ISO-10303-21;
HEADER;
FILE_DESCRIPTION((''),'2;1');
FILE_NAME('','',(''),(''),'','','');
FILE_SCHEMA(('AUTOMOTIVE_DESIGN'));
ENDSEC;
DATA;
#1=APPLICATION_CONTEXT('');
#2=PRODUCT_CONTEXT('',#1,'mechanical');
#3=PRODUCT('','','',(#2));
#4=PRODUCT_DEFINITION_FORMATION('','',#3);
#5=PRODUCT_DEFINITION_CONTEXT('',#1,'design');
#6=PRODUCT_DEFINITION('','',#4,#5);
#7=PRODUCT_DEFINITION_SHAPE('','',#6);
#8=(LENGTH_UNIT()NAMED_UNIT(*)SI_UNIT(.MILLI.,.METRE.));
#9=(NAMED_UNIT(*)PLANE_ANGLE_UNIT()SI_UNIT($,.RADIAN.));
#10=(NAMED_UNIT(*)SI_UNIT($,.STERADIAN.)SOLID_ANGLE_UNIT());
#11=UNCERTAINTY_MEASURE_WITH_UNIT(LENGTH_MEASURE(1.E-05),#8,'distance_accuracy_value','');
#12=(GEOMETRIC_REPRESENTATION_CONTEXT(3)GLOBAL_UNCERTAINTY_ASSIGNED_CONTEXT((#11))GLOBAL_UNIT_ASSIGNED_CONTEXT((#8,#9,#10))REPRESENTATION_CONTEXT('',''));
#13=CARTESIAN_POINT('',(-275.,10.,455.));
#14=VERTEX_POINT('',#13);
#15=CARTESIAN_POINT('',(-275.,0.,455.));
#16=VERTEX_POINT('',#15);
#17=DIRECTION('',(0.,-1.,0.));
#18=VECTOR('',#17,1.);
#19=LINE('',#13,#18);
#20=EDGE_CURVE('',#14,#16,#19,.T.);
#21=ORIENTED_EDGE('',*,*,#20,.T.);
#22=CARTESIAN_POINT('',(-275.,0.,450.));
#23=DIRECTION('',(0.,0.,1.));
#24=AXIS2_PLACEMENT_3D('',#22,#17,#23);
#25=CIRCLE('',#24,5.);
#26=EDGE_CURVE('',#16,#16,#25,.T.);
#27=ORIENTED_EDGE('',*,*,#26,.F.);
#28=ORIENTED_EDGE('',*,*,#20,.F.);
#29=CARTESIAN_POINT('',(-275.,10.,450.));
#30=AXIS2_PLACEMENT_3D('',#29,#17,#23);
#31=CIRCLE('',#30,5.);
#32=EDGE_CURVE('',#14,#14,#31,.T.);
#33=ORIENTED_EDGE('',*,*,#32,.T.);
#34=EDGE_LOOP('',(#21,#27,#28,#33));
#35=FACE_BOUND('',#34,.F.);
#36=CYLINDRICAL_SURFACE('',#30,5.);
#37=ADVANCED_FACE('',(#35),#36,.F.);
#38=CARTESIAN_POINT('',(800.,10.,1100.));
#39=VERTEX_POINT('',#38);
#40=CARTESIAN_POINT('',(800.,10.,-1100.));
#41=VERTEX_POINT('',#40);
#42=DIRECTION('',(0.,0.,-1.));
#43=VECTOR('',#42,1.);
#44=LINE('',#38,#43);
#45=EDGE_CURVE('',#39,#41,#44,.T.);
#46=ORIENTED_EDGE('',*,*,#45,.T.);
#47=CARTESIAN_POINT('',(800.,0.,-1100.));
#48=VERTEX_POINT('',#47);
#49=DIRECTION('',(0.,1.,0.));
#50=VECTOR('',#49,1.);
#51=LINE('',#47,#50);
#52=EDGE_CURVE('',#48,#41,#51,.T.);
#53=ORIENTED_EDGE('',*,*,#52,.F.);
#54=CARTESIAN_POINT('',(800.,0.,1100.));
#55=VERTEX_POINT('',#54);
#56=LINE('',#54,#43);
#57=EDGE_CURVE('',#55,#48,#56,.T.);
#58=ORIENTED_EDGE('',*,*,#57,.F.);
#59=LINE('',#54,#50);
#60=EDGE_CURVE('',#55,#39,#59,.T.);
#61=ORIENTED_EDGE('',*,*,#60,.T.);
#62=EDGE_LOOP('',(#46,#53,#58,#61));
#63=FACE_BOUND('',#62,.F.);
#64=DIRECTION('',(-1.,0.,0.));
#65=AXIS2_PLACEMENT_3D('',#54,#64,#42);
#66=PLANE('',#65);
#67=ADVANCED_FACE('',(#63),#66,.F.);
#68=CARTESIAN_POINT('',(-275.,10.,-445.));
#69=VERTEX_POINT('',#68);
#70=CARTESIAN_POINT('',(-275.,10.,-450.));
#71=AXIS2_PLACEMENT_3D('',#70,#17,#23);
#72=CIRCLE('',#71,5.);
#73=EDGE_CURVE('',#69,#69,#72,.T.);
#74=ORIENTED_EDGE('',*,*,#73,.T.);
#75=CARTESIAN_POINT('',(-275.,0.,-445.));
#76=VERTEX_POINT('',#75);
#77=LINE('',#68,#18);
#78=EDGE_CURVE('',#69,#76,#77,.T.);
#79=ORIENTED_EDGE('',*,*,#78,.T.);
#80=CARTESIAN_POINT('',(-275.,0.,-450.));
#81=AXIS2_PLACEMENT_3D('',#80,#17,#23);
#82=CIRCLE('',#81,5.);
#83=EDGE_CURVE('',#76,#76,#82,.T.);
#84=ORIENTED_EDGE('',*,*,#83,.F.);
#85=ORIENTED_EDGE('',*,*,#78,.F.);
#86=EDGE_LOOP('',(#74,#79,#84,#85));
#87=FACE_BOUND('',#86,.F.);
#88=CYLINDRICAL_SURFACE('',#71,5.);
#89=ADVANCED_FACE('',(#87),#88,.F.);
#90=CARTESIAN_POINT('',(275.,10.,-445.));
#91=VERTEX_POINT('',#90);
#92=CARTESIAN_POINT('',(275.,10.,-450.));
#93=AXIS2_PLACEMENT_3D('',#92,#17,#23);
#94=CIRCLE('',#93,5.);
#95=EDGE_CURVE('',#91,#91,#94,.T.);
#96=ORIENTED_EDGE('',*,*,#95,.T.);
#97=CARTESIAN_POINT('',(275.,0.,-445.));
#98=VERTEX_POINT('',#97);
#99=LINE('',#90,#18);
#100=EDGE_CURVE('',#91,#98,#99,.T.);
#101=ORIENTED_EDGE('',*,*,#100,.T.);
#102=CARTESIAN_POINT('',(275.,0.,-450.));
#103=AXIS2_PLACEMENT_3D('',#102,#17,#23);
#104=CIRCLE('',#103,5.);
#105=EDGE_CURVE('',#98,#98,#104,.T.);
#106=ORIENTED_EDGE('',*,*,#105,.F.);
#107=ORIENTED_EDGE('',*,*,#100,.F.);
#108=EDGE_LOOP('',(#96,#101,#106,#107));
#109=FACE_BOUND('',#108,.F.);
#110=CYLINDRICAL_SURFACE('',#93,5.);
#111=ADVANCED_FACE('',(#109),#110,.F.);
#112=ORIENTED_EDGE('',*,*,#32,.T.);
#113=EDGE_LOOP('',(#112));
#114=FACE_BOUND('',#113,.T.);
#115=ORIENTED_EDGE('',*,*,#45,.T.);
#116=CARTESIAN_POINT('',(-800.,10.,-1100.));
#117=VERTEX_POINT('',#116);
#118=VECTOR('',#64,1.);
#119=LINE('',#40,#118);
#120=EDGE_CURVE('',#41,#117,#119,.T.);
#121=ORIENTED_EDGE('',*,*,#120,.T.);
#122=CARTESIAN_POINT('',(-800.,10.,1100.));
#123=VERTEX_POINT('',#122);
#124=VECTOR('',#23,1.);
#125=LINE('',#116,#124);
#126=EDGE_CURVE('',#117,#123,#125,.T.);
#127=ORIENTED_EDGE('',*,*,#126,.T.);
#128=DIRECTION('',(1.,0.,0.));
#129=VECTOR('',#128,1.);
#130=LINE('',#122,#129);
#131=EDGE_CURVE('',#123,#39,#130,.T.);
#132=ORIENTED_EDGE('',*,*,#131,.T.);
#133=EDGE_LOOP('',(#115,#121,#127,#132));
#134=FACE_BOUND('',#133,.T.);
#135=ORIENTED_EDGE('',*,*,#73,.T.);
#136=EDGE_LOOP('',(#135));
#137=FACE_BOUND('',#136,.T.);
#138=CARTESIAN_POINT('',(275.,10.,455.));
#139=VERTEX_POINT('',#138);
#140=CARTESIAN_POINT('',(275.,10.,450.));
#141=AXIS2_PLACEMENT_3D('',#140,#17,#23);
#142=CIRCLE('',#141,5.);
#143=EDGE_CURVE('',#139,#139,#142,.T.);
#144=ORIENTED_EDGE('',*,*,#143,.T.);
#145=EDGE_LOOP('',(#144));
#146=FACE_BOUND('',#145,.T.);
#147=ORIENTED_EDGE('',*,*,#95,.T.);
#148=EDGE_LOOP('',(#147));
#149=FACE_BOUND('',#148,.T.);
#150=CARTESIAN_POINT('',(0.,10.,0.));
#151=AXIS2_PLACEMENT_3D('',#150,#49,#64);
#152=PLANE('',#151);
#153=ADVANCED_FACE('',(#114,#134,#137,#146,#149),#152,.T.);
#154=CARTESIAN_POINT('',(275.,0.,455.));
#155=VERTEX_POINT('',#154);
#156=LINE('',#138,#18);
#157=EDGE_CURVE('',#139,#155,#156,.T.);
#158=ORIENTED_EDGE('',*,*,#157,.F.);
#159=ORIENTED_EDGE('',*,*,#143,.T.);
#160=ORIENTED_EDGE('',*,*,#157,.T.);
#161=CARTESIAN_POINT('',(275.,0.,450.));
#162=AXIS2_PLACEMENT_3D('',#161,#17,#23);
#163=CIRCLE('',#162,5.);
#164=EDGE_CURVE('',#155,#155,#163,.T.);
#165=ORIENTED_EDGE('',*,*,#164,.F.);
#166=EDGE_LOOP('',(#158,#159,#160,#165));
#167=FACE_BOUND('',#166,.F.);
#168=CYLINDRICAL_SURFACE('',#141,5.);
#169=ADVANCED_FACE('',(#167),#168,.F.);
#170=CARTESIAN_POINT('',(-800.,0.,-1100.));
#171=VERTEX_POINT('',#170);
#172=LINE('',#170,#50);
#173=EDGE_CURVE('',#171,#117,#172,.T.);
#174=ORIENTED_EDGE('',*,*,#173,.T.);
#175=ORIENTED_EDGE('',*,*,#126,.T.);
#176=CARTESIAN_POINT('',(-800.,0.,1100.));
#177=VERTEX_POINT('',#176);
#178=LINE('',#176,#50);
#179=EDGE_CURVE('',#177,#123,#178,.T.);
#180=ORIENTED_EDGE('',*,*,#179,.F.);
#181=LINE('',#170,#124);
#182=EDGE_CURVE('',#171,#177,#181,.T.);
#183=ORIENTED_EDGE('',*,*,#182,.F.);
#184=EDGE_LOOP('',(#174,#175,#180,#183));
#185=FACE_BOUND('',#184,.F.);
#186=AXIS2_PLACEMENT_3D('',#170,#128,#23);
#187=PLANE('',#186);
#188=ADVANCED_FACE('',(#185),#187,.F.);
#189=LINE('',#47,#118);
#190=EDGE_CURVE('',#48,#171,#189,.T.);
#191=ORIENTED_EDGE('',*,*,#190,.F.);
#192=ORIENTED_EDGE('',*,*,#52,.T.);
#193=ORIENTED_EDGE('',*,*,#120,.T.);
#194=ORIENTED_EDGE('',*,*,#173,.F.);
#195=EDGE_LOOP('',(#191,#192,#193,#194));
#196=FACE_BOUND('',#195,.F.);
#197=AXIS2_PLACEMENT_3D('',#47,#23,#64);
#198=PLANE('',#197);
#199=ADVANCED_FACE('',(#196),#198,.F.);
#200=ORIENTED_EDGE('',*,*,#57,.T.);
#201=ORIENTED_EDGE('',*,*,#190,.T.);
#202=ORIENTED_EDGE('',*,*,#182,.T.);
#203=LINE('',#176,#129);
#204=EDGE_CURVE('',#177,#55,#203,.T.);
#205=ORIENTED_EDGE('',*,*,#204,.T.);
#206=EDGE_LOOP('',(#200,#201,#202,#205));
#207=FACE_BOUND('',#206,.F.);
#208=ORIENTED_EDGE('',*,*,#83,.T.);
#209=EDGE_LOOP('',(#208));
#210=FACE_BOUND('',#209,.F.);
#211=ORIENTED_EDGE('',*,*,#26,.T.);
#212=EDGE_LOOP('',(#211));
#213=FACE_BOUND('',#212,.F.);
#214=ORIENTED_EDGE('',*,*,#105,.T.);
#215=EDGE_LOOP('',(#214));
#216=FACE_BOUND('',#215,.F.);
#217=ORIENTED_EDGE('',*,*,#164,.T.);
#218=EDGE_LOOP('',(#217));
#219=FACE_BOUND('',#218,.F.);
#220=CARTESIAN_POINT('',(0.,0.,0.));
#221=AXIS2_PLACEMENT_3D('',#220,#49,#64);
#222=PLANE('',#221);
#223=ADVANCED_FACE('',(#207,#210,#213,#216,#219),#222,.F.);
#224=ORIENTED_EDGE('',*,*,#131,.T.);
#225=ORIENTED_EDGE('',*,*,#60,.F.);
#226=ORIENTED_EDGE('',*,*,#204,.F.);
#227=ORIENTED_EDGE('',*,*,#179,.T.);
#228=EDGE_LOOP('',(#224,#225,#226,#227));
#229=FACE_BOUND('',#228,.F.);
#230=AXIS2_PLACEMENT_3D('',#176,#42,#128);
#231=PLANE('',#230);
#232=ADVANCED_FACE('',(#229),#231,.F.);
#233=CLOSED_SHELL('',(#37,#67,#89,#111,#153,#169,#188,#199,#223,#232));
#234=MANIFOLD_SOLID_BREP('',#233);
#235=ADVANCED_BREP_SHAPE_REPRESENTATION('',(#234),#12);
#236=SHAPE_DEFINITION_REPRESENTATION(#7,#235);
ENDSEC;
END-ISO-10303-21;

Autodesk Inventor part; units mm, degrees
ref_plane "YZ Plane" through (0, 0, 0) normal (1, 0, 0) x (0, 1, 0)
ref_plane "XZ Plane" through (0, 0, 0) normal (0, 1, 0) x (-1, 0, 0)
ref_plane "XY Plane" through (0, 0, 0) normal (0, 0, 1) x (1, 0, 0)
sketch "Sketch1" plane through (0, 0, 0) normal (0, 1, 0) x (-1, 0, 0)
  line L0 (800, 1100) -> (-800, 1100)
  line L1 (-800, 1100) -> (-800, -1100)
  line L2 (-800, -1100) -> (800, -1100)
  line L3 (800, -1100) -> (800, 1100)
  point P0 (0, 0)
  dimension "d0" = 1100
  dimension "d1" = 2200
  dimension "d2" = 1600
  dimension "d3" = 800
extrude "base" add sketch "Sketch1" along normal blind 10
sketch "Sketch2" plane through (0, 10, 0) normal (0, 1, 0) x (1, 0, 0)
  point P0 (0, 0)
  point P1 (-275, -450)
  point P2 (275, -450)
  point P3 (-275, 450)
  point P4 (275, 450)
  dimension "d10" = 900
  dimension "d11" = 900
  dimension "d12" = 550
  dimension "d13" = 550
  dimension "d14" = 275
  dimension "d15" = 275
  dimension "d16" = 450
  dimension "d17" = 450
hole "mountHoles" at (-275, 10, 450) at (275, 10, 450) at (-275, 10, -450) at (275, 10, -450) direction (0, -1, 0) diameter 10 end through all
equation "\"d0\" = 0.5 * d1"
equation "\"d1\" = cover_length_main"
equation "\"d2\" = cover_width_main"
equation "\"d3\" = 0.5 * d2"
equation "\"d4\" = cover_base_thickness"
equation "\"d10\" = cover_mountHole_xSpacing"
equation "\"d11\" = cover_mountHole_xSpacing"
equation "\"d12\" = cover_mountHole_ySpacing"
equation "\"d13\" = cover_mountHole_ySpacing"
equation "\"d14\" = 0.5 * d12"
equation "\"d15\" = 0.5 * d13"
equation "\"d16\" = 0.5 * d10"
equation "\"d17\" = 0.5 * d11"
equation "\"d18\" = cover_mountHole_diameter"
equation "\"cover_width_main\" = 1600"
equation "\"cover_length_main\" = 2200"
equation "\"cover_base_thickness\" = 10"
equation "\"cover_mountHole_diameter\" = 10"
equation "\"cover_mountHole_xSpacing\" = 900"
equation "\"cover_mountHole_ySpacing\" = 550"
equation "\"hoop_angle_z\" = 45deg"
equation "\"hoop_bearing_length\" = 5deg"
equation "\"hoop_cable_diam\" = 5"
equation "\"hoop_cable_pulley_diam\" = 22"
equation "\"rack_tooth_addendum\" = 5"
equation "\"rack_tooth_dedendum\" = 5"
equation "\"rack_tooth_thickness\" = 5"
equation "\"secure_arm_angle\" = 20deg"
equation "\"secure_arm_hold_length\" = 35"
equation "\"secure_arm_radii\" = 9"
equation "\"support_baseClamp_platformLengthBuffer\" = 35"
equation "\"support_baseClamp_platformThickness\" = 15"
equation "\"support_baseClamp_platformWidthBuffer\" = 0"
equation "\"support_baseClamp_sleeveHoleDiameter\" = 12"
equation "\"support_baseClamp_sleeveSweepTerminationAngle\" = 55deg"
equation "\"support_baseClamp_thickness\" = 8"
equation "\"support_frame_endHoleBuffer\" = 25"
equation "\"support_frame_squareBarFillet\" = 2"
equation "\"support_frame_squareBarThickness\" = 5"
equation "\"hoop_tabs_hole\" = 4"
equation "\"hoop_tabs_thickness\" = 6"
equation "\"wheelchair_deployed_width\" = 635"
equation "\"wheelchair_deployed_height\" = 914"
equation "\"wheelchair_deployed_length\" = 1067"
properties part number "cover_base"
